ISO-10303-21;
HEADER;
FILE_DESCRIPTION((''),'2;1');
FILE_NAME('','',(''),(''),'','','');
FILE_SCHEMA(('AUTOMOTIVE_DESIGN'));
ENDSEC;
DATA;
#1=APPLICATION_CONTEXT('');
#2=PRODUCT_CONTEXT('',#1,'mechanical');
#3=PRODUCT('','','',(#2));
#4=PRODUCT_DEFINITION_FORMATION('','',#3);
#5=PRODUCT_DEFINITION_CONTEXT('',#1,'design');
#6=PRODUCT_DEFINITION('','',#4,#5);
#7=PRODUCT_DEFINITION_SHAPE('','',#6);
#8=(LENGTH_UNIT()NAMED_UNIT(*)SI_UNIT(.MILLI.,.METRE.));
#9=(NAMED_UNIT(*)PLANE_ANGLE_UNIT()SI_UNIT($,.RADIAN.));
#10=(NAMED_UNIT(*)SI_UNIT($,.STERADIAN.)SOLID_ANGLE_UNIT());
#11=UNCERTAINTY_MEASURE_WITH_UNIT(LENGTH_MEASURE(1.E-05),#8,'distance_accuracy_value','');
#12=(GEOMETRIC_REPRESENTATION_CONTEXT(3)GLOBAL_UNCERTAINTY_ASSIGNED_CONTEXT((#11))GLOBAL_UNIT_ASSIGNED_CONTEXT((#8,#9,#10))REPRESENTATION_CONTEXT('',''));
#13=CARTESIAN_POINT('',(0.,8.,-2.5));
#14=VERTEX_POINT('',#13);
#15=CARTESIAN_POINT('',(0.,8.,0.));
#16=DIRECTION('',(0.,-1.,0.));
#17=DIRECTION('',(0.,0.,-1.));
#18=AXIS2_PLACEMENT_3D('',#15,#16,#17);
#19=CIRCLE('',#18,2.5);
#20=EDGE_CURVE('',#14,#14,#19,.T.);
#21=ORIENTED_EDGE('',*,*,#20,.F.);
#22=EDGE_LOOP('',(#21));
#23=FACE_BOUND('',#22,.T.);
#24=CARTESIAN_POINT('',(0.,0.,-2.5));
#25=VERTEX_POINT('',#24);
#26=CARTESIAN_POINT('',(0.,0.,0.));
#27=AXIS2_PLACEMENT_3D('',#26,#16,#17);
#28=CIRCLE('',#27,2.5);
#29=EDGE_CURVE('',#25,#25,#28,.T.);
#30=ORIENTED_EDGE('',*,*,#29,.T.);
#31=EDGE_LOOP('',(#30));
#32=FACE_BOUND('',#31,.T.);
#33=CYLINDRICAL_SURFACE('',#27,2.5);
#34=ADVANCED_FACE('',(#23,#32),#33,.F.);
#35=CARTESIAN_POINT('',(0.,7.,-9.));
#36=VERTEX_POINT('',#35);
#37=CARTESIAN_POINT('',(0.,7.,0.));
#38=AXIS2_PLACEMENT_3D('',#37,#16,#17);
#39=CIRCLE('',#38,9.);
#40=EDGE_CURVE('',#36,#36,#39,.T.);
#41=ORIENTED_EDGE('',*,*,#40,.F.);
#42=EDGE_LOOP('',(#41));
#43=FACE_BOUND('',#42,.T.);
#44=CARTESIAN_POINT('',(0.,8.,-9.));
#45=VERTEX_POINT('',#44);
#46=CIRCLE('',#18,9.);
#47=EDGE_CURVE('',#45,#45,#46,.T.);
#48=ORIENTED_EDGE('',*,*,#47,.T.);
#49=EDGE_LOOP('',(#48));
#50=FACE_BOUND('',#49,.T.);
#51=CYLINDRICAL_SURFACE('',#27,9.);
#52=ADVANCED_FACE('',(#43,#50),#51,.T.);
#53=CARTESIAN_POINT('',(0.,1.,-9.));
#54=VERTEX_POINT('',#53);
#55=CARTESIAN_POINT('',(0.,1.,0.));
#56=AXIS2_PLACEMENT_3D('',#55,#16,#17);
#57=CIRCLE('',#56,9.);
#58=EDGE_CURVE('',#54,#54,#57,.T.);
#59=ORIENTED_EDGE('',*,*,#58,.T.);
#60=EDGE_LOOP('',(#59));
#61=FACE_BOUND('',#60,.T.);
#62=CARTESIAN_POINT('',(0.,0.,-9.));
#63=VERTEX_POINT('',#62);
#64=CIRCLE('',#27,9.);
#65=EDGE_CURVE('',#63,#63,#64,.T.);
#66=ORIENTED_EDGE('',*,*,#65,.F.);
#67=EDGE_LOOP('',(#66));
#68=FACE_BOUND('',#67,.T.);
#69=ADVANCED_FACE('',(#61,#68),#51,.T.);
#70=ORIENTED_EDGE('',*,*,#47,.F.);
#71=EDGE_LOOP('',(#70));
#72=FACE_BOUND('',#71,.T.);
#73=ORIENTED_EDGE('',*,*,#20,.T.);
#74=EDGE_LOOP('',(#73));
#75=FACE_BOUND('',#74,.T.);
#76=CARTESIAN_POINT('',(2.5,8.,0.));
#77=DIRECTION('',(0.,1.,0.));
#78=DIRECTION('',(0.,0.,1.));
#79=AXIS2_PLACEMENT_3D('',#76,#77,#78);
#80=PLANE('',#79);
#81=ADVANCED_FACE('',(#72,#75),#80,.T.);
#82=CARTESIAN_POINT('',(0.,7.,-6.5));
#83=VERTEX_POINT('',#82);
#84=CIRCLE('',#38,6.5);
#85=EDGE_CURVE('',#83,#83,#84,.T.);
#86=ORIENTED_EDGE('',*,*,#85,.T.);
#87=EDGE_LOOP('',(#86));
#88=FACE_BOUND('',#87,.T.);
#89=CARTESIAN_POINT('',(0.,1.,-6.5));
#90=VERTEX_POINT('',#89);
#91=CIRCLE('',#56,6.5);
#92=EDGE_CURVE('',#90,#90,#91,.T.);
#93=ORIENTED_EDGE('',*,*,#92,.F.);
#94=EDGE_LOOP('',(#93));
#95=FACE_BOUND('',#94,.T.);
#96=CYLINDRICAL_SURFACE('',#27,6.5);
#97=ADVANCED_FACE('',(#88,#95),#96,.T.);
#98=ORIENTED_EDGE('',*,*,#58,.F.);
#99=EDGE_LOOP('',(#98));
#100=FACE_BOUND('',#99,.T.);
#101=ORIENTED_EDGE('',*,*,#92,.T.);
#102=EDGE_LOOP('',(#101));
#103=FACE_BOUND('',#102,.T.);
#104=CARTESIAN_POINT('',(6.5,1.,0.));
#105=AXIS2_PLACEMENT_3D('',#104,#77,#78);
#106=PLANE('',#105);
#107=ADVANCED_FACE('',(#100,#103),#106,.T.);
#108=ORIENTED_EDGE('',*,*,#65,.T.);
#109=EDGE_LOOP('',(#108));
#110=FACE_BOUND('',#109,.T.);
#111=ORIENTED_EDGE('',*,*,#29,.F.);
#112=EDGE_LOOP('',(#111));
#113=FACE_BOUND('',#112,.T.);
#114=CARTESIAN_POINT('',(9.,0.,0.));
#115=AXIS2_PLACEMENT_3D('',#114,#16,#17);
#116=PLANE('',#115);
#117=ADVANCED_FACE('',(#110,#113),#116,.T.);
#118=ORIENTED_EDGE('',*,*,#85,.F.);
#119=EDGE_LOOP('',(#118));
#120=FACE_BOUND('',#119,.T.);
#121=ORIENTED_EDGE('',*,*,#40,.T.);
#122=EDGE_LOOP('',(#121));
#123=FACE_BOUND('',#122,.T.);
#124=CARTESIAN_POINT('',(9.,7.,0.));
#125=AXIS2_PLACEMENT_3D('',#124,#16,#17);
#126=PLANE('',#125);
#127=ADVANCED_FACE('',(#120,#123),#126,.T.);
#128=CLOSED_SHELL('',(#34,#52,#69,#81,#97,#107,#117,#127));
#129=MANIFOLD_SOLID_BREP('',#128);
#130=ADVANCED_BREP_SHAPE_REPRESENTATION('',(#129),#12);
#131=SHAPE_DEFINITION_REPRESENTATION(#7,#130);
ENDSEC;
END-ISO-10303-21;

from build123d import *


with BuildPart() as part:
    # Sketch1 → Revolve1 (revolve)
    with BuildSketch(Plane.XY, mode=Mode.PRIVATE) as revolve1_sk:
        Polygon((2.5, 0), (2.5, 8), (9, 8), (9, 7), (6.5, 7), (6.5, 1), (9, 1), (9, 0), align=None)
    revolve(revolve1_sk.sketch.rotate(Axis((0, 0, 0), (0, 1, 0)), 90), axis=Axis((0, 0, 0), (0, 1, 0)))


solid = part.part
